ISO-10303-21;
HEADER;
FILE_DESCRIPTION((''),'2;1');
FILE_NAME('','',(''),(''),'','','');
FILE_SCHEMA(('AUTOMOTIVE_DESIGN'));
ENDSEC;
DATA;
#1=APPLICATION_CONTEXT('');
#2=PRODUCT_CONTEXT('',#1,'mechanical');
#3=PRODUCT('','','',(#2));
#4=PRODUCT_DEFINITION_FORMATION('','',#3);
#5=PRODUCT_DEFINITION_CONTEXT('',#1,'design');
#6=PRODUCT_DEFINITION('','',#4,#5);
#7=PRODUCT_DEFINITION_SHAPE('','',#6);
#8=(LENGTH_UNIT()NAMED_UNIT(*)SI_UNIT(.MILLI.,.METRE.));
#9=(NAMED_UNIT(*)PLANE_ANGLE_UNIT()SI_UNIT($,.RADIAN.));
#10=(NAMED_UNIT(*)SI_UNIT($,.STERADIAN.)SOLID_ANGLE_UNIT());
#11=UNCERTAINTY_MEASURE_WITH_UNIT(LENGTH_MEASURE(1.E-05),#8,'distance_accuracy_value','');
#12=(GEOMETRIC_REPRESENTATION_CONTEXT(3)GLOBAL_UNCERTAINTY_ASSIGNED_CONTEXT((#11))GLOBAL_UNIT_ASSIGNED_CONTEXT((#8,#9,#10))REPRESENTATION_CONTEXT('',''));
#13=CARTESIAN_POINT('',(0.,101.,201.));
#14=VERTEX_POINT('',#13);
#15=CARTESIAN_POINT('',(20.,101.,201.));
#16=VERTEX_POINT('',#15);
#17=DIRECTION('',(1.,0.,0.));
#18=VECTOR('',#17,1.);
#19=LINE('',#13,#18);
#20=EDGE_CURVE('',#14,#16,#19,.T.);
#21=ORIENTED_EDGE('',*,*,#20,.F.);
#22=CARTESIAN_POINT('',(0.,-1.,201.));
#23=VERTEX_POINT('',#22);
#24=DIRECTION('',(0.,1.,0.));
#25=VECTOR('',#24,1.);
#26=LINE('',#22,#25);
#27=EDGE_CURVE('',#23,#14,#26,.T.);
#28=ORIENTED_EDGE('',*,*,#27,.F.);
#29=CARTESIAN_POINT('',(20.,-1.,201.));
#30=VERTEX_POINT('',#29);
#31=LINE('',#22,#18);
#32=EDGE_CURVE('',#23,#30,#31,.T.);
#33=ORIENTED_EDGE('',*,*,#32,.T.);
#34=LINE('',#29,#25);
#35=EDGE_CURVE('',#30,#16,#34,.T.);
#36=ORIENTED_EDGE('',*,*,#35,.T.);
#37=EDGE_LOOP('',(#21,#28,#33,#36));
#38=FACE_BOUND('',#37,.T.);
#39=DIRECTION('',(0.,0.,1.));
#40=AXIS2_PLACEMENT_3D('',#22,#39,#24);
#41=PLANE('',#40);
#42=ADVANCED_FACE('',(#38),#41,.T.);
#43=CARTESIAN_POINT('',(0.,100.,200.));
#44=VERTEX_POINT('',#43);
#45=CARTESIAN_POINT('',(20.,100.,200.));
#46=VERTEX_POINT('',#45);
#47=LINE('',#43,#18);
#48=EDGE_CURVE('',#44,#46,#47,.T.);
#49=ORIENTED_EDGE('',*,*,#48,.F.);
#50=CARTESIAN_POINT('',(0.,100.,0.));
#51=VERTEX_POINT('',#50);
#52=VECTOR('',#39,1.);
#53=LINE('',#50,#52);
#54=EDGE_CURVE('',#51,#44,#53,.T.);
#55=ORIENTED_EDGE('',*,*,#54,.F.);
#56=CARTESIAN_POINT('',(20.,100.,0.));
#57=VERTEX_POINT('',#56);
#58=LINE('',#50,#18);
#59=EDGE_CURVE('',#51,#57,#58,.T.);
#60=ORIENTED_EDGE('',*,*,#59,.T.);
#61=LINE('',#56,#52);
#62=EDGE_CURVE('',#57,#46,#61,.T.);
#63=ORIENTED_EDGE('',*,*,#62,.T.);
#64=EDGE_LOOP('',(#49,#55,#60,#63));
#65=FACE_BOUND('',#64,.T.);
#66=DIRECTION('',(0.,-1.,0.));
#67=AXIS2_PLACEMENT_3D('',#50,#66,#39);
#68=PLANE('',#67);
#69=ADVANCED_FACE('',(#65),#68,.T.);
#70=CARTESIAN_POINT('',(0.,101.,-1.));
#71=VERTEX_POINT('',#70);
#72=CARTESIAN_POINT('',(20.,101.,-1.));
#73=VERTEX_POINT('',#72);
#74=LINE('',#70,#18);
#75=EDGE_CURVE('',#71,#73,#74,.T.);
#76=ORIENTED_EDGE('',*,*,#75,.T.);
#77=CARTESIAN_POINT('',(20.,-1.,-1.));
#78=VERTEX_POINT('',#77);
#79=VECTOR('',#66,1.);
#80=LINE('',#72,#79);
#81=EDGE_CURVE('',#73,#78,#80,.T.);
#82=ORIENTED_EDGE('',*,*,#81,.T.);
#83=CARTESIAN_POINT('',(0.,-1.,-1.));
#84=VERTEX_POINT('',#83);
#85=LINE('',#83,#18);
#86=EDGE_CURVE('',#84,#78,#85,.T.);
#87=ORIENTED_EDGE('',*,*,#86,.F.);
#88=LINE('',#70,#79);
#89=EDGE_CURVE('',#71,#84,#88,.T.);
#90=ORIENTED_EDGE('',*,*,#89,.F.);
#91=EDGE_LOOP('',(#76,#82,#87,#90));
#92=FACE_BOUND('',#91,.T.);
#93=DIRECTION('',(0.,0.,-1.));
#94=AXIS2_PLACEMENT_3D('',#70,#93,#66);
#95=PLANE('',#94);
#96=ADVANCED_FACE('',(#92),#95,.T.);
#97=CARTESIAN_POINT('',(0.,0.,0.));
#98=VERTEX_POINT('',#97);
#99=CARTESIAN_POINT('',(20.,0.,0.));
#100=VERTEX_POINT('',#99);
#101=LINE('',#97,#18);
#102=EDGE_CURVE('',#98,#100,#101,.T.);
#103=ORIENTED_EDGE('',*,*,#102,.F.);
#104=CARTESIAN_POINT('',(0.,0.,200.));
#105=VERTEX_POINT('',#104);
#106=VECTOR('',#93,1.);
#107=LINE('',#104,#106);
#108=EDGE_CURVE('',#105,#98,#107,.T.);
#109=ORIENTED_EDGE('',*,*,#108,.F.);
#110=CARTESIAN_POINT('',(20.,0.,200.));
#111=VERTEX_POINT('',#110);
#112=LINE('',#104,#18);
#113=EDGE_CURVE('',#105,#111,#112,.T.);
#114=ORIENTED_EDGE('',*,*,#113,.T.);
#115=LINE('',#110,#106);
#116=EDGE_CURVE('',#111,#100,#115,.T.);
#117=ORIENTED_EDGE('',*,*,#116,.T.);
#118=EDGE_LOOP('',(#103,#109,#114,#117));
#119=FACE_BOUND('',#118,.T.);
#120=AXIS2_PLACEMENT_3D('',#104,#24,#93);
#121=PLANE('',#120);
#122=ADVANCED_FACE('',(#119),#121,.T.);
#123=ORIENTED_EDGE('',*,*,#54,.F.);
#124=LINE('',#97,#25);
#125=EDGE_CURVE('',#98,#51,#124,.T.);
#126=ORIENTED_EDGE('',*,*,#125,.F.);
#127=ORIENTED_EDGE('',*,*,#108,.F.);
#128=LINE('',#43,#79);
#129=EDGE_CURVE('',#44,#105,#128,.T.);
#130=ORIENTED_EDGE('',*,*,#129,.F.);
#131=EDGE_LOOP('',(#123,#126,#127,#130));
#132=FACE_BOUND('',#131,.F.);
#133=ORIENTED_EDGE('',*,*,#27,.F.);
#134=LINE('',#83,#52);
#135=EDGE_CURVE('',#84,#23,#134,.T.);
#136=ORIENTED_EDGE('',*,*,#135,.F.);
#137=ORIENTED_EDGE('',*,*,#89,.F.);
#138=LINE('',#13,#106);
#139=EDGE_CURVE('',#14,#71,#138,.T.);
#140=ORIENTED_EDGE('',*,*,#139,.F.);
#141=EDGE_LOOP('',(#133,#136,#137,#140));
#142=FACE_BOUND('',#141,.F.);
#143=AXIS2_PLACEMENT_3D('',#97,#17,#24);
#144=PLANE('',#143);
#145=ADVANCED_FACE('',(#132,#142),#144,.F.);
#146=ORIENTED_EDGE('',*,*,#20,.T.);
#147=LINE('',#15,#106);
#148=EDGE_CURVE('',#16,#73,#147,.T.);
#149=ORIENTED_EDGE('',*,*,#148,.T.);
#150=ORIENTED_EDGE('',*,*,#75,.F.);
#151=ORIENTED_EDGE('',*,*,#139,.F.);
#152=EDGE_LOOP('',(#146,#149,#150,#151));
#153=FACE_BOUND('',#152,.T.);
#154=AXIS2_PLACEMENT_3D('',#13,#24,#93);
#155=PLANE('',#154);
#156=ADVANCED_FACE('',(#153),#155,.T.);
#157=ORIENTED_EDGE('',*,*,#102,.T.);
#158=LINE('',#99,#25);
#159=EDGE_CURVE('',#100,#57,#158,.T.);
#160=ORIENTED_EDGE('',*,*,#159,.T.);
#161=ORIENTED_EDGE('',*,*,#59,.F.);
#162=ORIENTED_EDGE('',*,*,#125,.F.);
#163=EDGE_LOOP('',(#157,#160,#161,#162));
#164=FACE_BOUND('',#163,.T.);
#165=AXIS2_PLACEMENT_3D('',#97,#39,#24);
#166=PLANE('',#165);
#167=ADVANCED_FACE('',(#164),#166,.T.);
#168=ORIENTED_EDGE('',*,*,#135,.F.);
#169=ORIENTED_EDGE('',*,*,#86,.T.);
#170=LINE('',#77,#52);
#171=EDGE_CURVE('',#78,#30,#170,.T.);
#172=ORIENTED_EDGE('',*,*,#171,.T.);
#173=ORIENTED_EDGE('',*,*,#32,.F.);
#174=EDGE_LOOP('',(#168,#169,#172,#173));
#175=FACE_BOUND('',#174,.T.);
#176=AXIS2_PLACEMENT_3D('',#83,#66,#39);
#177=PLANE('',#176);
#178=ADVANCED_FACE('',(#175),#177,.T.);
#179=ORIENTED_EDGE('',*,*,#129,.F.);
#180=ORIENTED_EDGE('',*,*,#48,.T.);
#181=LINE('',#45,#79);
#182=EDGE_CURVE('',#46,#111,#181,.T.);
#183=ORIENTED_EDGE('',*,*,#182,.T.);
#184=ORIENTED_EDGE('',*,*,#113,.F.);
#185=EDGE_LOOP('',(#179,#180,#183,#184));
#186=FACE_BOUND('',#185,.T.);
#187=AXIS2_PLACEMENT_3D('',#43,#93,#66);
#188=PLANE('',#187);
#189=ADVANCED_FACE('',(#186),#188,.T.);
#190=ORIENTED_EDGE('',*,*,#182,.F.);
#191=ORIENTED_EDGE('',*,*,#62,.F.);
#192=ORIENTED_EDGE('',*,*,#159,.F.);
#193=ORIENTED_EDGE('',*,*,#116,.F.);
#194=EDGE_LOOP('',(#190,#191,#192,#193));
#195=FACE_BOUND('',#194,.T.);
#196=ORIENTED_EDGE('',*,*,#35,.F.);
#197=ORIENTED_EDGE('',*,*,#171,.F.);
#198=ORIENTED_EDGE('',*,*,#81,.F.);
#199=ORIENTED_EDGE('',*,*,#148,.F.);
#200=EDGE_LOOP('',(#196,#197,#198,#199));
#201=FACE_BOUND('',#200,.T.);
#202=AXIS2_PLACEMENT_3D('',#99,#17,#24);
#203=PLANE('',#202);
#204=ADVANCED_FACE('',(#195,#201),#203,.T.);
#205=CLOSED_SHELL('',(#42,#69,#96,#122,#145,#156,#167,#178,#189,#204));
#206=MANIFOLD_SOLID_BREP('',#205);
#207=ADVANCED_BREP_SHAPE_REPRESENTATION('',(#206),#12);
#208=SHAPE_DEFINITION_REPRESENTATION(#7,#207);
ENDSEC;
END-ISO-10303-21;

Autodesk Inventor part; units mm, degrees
ref_plane "YZ Plane" through (0, 0, 0) normal (1, 0, 0) x (0, 1, 0)
ref_plane "XZ Plane" through (0, 0, 0) normal (0, 1, 0) x (-1, 0, 0)
ref_plane "XY Plane" through (0, 0, 0) normal (0, 0, 1) x (1, 0, 0)
sketch "Sketch1" plane through (0, 0, 0) normal (1, 0, 0) x (0, 1, 0)
  line L0 (0, 0) -> (100, 0)
  line L1 (100, 0) -> (100, 200)
  line L2 (100, 200) -> (0, 200)
  line L3 (0, 200) -> (0, 0)
  line L4 (-1, 201) -> (101, 201)
  line L5 (101, 201) -> (101, -1)
  line L6 (101, -1) -> (-1, -1)
  line L7 (-1, -1) -> (-1, 201)
  dimension "inner_width" = 100
  dimension "height" = 200
  dimension "wall_thicknes" = 1
  dimension "d3" = 1
  dimension "d4" = 1
  dimension "d5" = 1
extrude "Extrusion1" add sketch "Sketch1" along normal blind 20
equation "\"d3\" = wall_thicknes"
equation "\"d4\" = wall_thicknes"
equation "\"d5\" = wall_thicknes"
properties part number "vib_bed_full_yz"
